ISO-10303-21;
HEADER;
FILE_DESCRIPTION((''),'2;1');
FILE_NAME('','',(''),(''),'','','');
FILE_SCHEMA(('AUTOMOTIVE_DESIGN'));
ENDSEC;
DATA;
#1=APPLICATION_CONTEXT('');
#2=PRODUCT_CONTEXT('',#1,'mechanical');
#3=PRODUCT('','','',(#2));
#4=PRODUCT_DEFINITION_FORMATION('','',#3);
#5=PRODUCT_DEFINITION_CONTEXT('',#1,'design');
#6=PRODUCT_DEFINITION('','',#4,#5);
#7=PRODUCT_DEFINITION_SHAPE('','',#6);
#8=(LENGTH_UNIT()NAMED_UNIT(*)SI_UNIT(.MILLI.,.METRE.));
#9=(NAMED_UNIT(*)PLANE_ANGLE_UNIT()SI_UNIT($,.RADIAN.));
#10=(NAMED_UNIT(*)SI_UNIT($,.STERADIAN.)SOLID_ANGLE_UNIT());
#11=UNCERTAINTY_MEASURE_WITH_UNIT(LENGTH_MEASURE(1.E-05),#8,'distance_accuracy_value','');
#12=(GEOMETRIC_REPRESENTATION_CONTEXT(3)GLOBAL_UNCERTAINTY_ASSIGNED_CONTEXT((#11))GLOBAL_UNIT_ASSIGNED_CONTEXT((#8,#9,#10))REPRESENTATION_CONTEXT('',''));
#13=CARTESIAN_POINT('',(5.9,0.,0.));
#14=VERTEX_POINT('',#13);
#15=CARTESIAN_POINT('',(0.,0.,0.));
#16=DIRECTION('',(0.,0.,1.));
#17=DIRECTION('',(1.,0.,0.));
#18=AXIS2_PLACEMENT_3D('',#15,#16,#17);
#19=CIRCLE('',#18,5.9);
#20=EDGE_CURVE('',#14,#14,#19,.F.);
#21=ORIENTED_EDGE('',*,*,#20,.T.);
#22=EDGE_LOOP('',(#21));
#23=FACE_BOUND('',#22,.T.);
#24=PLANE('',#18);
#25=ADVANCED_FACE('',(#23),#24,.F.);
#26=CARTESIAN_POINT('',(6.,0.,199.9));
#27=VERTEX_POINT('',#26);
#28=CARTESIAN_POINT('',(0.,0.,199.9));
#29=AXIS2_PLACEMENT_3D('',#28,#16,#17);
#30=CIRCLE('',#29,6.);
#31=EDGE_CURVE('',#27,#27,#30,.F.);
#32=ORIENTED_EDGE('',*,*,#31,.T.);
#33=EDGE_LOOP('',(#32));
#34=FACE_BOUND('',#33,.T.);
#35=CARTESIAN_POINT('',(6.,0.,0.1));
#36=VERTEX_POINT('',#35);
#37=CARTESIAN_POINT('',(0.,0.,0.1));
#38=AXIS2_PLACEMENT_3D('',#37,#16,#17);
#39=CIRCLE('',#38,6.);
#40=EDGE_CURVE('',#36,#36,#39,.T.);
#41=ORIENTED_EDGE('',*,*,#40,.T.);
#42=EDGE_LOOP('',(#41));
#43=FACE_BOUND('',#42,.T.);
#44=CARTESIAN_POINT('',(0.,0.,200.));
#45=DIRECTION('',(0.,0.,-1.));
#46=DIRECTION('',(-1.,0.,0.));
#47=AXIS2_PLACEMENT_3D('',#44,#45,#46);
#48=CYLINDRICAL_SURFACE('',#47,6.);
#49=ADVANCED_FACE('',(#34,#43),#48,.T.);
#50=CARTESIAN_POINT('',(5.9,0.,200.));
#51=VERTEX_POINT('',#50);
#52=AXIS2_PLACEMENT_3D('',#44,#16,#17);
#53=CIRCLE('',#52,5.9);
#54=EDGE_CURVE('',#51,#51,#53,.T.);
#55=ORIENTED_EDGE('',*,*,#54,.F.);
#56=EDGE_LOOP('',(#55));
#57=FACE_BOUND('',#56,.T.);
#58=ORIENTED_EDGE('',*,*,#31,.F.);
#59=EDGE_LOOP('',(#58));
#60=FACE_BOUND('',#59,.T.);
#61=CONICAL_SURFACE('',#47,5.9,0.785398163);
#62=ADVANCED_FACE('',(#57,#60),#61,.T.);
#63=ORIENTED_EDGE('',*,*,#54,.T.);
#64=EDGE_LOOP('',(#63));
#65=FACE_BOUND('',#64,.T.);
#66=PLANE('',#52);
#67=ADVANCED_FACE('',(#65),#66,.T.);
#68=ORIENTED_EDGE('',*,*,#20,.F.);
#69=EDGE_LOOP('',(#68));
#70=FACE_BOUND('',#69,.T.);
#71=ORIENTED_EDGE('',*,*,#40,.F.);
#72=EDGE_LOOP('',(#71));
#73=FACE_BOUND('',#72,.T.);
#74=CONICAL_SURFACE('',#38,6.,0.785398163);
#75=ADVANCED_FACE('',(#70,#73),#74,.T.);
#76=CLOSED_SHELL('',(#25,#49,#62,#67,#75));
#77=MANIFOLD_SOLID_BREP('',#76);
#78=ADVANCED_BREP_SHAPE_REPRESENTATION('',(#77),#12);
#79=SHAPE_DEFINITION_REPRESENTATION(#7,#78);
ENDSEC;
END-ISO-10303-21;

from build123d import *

# Parameters (mm, degrees)
SKETCH_1_R      = 6
EXTRUDE_1_DEPTH = 200
CHAMFER_1_SIZE  = 0.1


with BuildPart() as part:
    # Эскиз1 → Бобышка-Вытянуть1 (new body)
    with BuildSketch(Plane.XY):
        Circle(SKETCH_1_R)
    extrude(amount=EXTRUDE_1_DEPTH)

    # Фаска1
    chamfer_1_edges = [part.edges().sort_by_distance(p)[0] for p in [
        (-6, 0, 0),
        (-6, 0, 200),
    ]]
    chamfer(chamfer_1_edges, length=CHAMFER_1_SIZE)


solid = part.part
